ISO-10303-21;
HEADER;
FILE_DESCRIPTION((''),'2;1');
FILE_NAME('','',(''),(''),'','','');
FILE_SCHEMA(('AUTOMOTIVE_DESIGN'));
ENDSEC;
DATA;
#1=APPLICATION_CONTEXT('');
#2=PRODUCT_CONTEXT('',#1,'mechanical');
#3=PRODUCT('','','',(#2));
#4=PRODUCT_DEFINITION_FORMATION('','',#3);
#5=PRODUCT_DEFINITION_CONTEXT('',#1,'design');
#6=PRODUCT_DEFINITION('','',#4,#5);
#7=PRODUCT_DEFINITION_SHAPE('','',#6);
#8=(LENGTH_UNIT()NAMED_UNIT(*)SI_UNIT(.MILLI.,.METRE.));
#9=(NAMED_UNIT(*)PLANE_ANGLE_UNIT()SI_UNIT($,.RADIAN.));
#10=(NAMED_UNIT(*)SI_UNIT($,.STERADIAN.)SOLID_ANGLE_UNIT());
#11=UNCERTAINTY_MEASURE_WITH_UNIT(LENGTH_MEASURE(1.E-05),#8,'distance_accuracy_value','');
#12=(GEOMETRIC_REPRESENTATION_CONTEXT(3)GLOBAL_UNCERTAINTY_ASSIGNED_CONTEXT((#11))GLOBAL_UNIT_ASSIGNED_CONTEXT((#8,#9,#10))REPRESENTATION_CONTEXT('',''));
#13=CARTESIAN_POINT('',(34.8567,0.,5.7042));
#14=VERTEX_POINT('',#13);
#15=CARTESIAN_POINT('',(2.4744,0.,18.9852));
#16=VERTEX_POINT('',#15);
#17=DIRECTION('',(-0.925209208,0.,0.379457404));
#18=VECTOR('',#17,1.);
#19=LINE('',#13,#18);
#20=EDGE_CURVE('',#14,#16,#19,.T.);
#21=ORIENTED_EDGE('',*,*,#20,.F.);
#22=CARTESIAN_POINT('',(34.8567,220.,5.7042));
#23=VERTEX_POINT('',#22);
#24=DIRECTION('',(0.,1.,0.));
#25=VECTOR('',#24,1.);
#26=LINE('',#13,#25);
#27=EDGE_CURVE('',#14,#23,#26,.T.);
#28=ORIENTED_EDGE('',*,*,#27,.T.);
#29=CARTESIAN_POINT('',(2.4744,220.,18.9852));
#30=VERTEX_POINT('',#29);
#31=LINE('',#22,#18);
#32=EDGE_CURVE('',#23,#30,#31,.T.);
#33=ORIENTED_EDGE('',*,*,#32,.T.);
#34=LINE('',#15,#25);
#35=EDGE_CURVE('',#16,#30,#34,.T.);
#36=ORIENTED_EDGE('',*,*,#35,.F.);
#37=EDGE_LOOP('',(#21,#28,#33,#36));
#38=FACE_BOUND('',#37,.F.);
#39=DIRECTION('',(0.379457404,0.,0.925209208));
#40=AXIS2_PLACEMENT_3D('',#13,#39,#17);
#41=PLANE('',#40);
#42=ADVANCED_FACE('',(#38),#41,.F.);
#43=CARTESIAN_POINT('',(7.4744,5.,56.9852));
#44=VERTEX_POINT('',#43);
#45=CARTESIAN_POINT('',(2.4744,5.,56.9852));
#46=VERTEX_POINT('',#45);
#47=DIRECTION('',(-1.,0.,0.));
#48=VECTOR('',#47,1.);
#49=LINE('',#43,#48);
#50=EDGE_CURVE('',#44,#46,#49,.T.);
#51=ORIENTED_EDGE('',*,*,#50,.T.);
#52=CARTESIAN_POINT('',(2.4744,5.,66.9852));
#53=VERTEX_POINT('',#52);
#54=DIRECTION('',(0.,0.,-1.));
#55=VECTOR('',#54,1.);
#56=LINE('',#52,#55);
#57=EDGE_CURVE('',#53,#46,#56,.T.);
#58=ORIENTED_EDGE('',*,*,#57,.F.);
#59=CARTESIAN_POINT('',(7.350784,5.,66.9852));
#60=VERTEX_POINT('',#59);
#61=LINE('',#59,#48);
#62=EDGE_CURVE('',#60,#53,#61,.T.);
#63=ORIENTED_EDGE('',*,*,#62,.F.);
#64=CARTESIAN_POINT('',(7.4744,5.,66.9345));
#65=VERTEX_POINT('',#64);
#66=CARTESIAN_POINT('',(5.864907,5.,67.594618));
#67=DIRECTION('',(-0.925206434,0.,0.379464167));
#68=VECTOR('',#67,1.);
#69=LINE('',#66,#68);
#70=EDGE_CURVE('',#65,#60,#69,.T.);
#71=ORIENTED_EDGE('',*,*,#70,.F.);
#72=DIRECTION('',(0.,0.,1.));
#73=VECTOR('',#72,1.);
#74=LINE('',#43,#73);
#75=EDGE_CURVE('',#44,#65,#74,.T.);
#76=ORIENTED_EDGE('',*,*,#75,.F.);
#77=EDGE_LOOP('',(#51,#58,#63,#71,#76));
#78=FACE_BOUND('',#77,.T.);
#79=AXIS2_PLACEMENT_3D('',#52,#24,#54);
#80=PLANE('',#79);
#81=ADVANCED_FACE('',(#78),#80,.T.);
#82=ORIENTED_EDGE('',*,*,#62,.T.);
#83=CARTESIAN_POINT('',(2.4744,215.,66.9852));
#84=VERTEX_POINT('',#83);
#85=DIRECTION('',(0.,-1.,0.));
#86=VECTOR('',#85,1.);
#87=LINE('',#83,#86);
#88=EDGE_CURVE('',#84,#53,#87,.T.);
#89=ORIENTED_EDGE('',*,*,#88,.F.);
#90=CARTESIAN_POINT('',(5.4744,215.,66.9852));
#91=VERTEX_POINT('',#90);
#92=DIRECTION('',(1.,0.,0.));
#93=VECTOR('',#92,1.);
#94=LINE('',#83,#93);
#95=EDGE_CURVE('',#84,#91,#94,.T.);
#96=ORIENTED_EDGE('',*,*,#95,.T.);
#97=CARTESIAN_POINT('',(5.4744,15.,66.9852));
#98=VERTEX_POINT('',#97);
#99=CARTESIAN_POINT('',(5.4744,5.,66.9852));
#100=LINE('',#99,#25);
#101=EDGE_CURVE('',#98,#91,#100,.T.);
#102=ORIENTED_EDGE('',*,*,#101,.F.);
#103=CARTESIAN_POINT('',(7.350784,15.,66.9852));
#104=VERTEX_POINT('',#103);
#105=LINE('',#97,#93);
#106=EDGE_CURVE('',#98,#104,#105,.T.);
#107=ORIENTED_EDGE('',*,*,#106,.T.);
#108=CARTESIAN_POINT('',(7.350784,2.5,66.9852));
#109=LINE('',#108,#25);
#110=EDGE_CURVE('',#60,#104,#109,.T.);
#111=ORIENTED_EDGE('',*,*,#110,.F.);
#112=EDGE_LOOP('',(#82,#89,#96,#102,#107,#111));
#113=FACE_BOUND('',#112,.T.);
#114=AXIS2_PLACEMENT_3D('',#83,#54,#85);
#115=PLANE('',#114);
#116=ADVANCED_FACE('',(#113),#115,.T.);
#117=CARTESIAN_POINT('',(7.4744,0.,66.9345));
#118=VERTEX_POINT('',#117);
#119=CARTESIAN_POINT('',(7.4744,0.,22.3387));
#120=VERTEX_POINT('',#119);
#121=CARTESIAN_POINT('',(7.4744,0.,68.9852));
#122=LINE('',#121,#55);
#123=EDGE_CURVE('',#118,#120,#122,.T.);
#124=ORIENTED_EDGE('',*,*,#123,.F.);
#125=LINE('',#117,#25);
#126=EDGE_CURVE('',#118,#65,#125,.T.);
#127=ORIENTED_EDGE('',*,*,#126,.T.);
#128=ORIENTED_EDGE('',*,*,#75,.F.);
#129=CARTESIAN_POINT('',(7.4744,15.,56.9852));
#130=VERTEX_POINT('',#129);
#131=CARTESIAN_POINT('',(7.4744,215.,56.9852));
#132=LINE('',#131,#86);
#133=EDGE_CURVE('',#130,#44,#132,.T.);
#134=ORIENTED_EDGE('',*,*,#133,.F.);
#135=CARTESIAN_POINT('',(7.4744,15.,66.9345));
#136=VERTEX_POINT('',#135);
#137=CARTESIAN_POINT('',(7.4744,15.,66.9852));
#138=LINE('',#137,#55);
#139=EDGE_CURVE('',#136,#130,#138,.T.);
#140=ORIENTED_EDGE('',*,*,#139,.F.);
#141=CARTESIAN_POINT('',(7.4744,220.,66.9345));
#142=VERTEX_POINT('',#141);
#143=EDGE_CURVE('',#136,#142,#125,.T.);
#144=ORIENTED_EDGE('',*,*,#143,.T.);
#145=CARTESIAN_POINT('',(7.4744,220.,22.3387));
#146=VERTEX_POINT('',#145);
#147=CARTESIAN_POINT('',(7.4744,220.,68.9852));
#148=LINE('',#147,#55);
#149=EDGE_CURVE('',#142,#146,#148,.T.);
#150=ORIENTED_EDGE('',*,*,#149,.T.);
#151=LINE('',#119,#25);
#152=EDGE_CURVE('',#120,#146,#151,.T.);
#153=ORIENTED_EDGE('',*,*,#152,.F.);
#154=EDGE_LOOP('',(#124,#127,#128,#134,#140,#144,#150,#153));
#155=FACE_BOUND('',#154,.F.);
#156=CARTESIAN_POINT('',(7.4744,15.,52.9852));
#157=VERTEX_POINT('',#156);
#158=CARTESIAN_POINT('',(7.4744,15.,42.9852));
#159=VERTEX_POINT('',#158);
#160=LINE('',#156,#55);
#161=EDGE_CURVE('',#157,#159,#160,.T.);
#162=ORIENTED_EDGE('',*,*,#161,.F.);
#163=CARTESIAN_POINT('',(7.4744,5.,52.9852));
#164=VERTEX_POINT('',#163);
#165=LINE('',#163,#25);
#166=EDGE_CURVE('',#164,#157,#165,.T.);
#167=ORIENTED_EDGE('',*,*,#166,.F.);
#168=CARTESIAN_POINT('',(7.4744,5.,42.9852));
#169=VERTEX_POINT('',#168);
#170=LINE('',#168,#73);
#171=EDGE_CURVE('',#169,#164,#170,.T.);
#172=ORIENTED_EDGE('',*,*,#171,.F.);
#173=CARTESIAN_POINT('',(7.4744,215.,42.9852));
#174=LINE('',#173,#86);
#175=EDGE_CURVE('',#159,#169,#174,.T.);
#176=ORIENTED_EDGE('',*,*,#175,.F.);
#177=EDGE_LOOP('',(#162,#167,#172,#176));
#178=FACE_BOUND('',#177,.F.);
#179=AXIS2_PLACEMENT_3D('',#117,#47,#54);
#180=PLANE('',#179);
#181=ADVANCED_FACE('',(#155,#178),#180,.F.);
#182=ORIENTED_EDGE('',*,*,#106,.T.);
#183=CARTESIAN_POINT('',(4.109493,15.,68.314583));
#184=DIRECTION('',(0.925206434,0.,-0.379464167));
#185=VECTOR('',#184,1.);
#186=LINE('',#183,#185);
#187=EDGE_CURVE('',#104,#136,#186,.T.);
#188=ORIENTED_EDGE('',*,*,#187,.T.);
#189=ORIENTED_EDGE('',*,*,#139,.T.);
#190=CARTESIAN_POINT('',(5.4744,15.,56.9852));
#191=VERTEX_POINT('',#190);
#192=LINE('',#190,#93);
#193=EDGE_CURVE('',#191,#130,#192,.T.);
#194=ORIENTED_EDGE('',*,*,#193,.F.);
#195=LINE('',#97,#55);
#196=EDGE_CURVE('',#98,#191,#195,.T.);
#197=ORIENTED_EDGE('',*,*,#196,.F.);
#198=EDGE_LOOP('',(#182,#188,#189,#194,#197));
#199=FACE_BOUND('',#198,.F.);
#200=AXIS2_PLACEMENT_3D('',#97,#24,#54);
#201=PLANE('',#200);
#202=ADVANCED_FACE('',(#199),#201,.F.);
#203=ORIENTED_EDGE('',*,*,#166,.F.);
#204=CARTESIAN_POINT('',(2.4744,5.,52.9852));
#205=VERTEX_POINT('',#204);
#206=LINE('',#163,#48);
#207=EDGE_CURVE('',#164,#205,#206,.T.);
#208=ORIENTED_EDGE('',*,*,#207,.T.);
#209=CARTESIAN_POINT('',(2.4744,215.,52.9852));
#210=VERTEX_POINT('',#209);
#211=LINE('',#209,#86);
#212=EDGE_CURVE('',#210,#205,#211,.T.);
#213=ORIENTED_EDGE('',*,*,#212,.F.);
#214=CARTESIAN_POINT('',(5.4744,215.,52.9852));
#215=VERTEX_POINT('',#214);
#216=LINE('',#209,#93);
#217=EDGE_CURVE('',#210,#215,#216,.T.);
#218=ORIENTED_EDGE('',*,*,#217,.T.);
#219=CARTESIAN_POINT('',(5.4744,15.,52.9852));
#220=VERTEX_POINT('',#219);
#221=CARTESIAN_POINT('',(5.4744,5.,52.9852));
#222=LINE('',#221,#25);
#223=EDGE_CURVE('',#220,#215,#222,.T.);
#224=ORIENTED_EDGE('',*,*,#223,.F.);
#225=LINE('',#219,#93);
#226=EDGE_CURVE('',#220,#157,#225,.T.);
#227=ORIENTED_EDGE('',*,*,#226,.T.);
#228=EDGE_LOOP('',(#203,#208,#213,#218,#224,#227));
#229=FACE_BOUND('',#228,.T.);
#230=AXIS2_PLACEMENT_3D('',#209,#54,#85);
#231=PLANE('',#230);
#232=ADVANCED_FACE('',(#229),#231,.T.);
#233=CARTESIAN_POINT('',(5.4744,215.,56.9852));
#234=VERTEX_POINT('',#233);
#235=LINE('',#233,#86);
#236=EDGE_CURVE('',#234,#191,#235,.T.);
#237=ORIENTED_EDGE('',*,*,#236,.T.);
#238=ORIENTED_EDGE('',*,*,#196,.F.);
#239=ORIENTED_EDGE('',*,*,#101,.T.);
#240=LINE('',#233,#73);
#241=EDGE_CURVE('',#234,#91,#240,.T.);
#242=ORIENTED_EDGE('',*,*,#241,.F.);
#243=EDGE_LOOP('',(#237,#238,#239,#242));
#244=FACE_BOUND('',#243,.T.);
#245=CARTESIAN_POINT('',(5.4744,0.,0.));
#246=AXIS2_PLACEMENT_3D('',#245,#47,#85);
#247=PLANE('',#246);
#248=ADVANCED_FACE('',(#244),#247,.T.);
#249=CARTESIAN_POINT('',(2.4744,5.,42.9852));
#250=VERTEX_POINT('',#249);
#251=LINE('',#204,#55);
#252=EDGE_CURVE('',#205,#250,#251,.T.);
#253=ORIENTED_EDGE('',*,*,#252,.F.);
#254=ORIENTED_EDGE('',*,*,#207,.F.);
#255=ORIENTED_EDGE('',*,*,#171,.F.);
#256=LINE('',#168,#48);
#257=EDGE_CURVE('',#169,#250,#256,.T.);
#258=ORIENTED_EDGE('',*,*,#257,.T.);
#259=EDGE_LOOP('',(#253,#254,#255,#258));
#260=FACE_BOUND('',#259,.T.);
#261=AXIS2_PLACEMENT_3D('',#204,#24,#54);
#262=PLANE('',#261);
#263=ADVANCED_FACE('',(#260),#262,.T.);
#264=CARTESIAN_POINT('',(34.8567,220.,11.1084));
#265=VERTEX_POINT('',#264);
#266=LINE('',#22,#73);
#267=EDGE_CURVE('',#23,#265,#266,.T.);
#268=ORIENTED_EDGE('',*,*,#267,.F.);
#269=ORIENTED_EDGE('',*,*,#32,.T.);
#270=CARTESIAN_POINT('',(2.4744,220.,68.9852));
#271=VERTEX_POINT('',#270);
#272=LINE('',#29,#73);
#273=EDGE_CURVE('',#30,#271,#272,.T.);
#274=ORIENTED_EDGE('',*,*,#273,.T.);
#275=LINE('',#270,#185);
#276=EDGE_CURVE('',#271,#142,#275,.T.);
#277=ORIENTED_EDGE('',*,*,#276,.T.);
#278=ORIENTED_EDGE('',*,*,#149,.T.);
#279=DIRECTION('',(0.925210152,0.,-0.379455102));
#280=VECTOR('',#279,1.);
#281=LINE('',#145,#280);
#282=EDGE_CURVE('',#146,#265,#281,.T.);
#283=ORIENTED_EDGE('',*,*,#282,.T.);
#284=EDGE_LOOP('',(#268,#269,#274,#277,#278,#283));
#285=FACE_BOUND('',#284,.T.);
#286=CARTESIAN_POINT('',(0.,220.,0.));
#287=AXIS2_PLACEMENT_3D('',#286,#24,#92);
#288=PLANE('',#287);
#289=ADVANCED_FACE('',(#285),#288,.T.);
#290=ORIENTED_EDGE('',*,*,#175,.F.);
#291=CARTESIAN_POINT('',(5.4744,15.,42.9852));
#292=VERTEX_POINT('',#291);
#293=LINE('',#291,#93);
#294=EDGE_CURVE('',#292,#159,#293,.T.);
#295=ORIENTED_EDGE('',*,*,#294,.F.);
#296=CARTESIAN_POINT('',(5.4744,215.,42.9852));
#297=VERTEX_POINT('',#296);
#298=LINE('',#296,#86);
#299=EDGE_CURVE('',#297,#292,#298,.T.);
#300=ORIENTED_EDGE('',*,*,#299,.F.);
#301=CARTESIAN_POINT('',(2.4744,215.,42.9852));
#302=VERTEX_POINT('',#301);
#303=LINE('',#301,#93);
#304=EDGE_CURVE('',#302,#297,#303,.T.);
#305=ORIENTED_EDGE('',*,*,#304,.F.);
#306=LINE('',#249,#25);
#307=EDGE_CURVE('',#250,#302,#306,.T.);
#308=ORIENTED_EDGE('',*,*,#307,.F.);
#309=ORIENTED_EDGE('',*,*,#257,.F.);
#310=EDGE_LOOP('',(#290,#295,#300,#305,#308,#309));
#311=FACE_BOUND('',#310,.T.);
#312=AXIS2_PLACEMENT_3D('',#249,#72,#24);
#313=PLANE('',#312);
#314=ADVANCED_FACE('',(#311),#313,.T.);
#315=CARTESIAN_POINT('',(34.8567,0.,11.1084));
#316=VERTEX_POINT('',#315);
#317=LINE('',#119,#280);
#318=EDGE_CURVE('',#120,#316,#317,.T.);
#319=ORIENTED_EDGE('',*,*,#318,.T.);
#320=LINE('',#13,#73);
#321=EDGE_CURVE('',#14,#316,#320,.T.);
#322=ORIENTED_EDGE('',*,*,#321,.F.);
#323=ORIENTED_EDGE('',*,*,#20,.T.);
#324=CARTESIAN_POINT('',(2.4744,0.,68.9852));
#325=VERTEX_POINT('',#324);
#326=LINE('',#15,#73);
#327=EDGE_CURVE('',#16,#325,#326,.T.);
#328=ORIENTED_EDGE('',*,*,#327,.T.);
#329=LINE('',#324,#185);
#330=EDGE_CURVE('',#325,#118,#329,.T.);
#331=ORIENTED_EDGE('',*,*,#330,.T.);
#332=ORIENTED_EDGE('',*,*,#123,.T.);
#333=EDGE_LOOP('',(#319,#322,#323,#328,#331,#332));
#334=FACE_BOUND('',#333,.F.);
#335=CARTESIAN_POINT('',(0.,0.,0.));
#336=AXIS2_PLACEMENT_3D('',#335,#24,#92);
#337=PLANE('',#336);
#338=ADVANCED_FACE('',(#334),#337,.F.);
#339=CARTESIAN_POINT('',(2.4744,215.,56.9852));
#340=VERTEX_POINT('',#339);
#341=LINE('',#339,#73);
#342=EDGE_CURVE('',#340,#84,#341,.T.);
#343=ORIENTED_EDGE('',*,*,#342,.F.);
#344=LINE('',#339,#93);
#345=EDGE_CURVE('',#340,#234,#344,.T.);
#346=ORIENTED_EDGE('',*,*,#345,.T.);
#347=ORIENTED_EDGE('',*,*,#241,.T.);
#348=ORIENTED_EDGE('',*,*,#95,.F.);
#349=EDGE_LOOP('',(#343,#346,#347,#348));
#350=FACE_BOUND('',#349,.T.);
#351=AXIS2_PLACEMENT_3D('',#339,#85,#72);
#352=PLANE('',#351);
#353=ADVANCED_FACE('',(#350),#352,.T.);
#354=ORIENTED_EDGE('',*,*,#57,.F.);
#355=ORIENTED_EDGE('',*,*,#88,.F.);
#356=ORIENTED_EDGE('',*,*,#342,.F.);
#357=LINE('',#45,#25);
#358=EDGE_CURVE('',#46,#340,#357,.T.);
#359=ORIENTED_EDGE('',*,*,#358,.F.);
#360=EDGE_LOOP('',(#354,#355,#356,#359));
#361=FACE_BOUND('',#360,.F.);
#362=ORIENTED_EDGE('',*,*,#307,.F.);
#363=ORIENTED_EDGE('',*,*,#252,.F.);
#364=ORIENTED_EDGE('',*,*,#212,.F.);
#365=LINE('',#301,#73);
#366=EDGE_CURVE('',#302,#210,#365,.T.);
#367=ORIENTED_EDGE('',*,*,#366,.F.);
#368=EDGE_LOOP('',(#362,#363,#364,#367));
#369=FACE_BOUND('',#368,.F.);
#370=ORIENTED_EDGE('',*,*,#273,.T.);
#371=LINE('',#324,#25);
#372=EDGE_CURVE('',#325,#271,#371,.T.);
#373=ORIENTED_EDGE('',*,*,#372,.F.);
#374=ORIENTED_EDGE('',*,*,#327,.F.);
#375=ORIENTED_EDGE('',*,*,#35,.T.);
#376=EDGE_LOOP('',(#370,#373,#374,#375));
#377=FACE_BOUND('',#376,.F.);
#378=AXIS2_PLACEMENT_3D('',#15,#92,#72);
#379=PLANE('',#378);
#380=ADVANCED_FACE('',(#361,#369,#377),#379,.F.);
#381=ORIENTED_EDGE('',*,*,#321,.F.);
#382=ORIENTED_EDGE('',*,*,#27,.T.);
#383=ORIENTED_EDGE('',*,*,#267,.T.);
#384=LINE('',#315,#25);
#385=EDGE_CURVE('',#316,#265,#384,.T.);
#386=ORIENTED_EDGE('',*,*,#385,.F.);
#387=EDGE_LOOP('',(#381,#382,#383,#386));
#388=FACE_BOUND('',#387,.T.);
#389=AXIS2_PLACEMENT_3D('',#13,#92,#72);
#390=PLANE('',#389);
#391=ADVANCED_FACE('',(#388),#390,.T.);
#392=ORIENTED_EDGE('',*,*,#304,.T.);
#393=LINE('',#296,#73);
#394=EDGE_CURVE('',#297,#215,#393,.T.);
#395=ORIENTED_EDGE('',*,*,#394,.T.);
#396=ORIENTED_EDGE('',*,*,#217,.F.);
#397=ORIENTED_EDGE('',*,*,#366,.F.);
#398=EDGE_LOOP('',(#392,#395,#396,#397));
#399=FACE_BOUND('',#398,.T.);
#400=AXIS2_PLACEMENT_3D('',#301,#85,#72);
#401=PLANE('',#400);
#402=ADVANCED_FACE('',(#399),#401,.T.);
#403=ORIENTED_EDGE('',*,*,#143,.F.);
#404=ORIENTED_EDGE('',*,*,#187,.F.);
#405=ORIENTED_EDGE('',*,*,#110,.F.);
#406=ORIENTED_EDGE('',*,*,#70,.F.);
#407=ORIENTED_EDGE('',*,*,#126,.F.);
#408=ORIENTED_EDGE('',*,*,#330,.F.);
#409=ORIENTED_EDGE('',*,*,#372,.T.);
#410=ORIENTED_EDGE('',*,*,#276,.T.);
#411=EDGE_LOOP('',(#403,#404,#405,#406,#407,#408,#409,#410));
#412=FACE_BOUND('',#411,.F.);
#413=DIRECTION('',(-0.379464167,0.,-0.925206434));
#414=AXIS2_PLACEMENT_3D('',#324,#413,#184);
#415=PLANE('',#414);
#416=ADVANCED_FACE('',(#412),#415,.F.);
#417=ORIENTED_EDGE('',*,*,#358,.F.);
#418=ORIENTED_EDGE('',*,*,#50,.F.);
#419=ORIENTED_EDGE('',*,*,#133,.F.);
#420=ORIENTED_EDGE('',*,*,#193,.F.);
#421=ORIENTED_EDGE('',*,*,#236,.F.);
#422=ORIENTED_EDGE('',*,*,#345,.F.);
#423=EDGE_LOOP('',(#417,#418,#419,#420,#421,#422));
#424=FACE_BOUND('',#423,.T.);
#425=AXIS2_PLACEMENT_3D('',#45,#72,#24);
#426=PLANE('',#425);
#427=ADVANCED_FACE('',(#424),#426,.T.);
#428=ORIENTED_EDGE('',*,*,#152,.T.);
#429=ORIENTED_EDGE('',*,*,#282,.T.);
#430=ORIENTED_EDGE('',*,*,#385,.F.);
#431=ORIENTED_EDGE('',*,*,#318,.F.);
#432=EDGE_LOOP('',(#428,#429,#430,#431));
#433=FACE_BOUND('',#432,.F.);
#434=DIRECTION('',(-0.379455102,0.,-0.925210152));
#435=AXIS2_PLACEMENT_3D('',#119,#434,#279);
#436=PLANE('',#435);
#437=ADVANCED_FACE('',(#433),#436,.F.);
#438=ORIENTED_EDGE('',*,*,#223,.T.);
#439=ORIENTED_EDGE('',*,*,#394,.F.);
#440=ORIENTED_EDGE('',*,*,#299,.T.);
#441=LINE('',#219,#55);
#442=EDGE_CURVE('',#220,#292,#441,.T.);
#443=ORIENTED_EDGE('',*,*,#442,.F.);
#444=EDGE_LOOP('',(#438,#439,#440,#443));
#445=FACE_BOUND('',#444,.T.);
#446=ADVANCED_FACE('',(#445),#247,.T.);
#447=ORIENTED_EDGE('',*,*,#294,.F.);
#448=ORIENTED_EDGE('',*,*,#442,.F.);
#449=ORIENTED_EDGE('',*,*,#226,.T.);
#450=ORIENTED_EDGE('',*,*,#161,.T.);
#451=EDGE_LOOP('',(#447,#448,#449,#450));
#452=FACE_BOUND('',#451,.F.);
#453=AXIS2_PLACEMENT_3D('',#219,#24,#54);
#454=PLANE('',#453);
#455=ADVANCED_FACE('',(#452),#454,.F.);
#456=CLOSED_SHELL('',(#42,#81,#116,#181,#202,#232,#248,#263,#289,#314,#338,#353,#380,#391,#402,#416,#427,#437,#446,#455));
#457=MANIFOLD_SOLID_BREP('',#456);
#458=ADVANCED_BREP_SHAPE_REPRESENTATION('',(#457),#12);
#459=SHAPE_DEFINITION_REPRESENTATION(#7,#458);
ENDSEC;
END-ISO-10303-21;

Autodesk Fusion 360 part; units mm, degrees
sketch "Sketch1" plane through (0, 0, 0) normal (0, 1, 0) x (1, 0, 0)
  line L0 (2.4744, -68.9852) -> (7.4744, -68.9852)
  line L1 (7.4744, -68.9852) -> (7.4744, -22.3387)
  line L2 (7.4744, -22.3387) -> (36.754, -10.3303)
  line L3 (36.754, -10.3303) -> (34.8567, -5.7042)
  line L4 (34.8567, -5.7042) -> (2.4744, -18.9852)
  line L5 (2.4744, -18.9852) -> (2.4744, -68.9852)
  line L6 (2.4744, -68.9852) -> (7.4744, -66.9345)
  line L7 (34.8567, -5.7042) -> (34.8567, -11.1084)
  dimension "d1" = 5
  dimension "d2" = 5
  dimension "d3" = 112.3
  dimension "d16" = 50
  dimension "d18" = 22.3
  dimension "d20" = 35
extrude "Extrude1" add sketch "Sketch1" along normal blind 220 contours L1 L2 L4 L5 L6 L7
sketch "Sketch2" plane through (2.4744, 0, 0) normal (-1, 0, 0) x (0, -1, 0)
  line L0 (0, 18.9852) -> (0, 68.9852)
  line L1 (-220, 68.9852) -> (-220, 18.9852)
  line L2 (-220, 18.9852) -> (0, 18.9852)
  line L3 (-215, 66.9852) -> (-5, 66.9852)
  line L4 (-5, 66.9852) -> (-5, 56.9852)
  line L5 (-5, 56.9852) -> (-215, 56.9852)
  line L6 (-215, 56.9852) -> (-215, 66.9852)
  line L7 (-215, 52.9852) -> (-5, 52.9852)
  line L8 (-5, 52.9852) -> (-5, 42.9852)
  line L9 (-5, 42.9852) -> (-215, 42.9852)
  line L10 (-215, 42.9852) -> (-215, 52.9852)
  line L11 (-5, 66.9852) -> (-15, 66.9852)
  line L12 (-15, 56.9852) -> (-5, 56.9852)
  line L13 (-5, 56.9852) -> (-5, 66.9852)
  line L14 (-5, 52.9852) -> (-15, 52.9852)
  line L15 (-15, 42.9852) -> (-5, 42.9852)
  line L16 (-5, 42.9852) -> (-5, 52.9852)
  line L17 (0, 68.9852) -> (-220, 68.9852)
  dimension "d6" = 210
  dimension "d7" = 210
  dimension "d8" = 5
  dimension "d9" = 5
  dimension "d12" = 10
  dimension "d13" = 10
  dimension "d22" = 4
  dimension "d30" = 2
extrude "Extrude2" cut sketch "Sketch2" against normal blind 3 contours L3 L4 L5 L6 L11 L12 L13 | L7 L8 L9 L10 L14 L15 L16
sketch "Sketch3" plane through (5.4744, 0, 0) normal (-1, 0, 0) x (0, -1, 0)
  line L0 (-215, 56.9852) -> (-5, 56.9852)
  line L1 (-5, 56.9852) -> (-5, 66.9852)
  line L2 (-5, 66.9852) -> (-215, 66.9852)
  line L3 (-215, 66.9852) -> (-215, 56.9852)
  line L4 (-5, 66.9852) -> (-15, 66.9852)
  line L5 (-15, 66.9852) -> (-15, 56.9852)
  line L6 (-15, 56.9852) -> (-5, 56.9852)
  line L7 (-5, 56.9852) -> (-5, 66.9852)
  dimension "d33" = 10
  dimension "d34" = 10
sketch "Sketch4" plane through (5.4744, 0, 0) normal (-1, 0, 0) x (0, -1, 0)
  line L0 (-215, 42.9852) -> (-5, 42.9852)
  line L1 (-5, 42.9852) -> (-5, 52.9852)
  line L2 (-215, 52.9852) -> (-215, 42.9852)
  line L3 (-5, 52.9852) -> (-15, 52.9852)
  line L4 (-15, 52.9852) -> (-15, 42.9852)
  line L5 (-15, 42.9852) -> (-5, 42.9852)
  line L6 (-5, 42.9852) -> (-5, 52.9852)
  line L7 (-5, 52.9852) -> (-215, 52.9852)
  dimension "d26" = 10
  dimension "d27" = 10
extrude "Extrude3" cut sketch "Sketch3" sketch "Sketch4" against normal blind 2 contours L0 L1 L2 L4 L5 L6 L7 of sketch 2 contours L0 L1 L3 L4 L5 L6 L7
equation "d4 = 200 mm + 10 mm + 5 mm + 5 mm"
equation "d6 = 200 mm + 10 mm"
equation "d7 = 200 mm + 10 mm"
